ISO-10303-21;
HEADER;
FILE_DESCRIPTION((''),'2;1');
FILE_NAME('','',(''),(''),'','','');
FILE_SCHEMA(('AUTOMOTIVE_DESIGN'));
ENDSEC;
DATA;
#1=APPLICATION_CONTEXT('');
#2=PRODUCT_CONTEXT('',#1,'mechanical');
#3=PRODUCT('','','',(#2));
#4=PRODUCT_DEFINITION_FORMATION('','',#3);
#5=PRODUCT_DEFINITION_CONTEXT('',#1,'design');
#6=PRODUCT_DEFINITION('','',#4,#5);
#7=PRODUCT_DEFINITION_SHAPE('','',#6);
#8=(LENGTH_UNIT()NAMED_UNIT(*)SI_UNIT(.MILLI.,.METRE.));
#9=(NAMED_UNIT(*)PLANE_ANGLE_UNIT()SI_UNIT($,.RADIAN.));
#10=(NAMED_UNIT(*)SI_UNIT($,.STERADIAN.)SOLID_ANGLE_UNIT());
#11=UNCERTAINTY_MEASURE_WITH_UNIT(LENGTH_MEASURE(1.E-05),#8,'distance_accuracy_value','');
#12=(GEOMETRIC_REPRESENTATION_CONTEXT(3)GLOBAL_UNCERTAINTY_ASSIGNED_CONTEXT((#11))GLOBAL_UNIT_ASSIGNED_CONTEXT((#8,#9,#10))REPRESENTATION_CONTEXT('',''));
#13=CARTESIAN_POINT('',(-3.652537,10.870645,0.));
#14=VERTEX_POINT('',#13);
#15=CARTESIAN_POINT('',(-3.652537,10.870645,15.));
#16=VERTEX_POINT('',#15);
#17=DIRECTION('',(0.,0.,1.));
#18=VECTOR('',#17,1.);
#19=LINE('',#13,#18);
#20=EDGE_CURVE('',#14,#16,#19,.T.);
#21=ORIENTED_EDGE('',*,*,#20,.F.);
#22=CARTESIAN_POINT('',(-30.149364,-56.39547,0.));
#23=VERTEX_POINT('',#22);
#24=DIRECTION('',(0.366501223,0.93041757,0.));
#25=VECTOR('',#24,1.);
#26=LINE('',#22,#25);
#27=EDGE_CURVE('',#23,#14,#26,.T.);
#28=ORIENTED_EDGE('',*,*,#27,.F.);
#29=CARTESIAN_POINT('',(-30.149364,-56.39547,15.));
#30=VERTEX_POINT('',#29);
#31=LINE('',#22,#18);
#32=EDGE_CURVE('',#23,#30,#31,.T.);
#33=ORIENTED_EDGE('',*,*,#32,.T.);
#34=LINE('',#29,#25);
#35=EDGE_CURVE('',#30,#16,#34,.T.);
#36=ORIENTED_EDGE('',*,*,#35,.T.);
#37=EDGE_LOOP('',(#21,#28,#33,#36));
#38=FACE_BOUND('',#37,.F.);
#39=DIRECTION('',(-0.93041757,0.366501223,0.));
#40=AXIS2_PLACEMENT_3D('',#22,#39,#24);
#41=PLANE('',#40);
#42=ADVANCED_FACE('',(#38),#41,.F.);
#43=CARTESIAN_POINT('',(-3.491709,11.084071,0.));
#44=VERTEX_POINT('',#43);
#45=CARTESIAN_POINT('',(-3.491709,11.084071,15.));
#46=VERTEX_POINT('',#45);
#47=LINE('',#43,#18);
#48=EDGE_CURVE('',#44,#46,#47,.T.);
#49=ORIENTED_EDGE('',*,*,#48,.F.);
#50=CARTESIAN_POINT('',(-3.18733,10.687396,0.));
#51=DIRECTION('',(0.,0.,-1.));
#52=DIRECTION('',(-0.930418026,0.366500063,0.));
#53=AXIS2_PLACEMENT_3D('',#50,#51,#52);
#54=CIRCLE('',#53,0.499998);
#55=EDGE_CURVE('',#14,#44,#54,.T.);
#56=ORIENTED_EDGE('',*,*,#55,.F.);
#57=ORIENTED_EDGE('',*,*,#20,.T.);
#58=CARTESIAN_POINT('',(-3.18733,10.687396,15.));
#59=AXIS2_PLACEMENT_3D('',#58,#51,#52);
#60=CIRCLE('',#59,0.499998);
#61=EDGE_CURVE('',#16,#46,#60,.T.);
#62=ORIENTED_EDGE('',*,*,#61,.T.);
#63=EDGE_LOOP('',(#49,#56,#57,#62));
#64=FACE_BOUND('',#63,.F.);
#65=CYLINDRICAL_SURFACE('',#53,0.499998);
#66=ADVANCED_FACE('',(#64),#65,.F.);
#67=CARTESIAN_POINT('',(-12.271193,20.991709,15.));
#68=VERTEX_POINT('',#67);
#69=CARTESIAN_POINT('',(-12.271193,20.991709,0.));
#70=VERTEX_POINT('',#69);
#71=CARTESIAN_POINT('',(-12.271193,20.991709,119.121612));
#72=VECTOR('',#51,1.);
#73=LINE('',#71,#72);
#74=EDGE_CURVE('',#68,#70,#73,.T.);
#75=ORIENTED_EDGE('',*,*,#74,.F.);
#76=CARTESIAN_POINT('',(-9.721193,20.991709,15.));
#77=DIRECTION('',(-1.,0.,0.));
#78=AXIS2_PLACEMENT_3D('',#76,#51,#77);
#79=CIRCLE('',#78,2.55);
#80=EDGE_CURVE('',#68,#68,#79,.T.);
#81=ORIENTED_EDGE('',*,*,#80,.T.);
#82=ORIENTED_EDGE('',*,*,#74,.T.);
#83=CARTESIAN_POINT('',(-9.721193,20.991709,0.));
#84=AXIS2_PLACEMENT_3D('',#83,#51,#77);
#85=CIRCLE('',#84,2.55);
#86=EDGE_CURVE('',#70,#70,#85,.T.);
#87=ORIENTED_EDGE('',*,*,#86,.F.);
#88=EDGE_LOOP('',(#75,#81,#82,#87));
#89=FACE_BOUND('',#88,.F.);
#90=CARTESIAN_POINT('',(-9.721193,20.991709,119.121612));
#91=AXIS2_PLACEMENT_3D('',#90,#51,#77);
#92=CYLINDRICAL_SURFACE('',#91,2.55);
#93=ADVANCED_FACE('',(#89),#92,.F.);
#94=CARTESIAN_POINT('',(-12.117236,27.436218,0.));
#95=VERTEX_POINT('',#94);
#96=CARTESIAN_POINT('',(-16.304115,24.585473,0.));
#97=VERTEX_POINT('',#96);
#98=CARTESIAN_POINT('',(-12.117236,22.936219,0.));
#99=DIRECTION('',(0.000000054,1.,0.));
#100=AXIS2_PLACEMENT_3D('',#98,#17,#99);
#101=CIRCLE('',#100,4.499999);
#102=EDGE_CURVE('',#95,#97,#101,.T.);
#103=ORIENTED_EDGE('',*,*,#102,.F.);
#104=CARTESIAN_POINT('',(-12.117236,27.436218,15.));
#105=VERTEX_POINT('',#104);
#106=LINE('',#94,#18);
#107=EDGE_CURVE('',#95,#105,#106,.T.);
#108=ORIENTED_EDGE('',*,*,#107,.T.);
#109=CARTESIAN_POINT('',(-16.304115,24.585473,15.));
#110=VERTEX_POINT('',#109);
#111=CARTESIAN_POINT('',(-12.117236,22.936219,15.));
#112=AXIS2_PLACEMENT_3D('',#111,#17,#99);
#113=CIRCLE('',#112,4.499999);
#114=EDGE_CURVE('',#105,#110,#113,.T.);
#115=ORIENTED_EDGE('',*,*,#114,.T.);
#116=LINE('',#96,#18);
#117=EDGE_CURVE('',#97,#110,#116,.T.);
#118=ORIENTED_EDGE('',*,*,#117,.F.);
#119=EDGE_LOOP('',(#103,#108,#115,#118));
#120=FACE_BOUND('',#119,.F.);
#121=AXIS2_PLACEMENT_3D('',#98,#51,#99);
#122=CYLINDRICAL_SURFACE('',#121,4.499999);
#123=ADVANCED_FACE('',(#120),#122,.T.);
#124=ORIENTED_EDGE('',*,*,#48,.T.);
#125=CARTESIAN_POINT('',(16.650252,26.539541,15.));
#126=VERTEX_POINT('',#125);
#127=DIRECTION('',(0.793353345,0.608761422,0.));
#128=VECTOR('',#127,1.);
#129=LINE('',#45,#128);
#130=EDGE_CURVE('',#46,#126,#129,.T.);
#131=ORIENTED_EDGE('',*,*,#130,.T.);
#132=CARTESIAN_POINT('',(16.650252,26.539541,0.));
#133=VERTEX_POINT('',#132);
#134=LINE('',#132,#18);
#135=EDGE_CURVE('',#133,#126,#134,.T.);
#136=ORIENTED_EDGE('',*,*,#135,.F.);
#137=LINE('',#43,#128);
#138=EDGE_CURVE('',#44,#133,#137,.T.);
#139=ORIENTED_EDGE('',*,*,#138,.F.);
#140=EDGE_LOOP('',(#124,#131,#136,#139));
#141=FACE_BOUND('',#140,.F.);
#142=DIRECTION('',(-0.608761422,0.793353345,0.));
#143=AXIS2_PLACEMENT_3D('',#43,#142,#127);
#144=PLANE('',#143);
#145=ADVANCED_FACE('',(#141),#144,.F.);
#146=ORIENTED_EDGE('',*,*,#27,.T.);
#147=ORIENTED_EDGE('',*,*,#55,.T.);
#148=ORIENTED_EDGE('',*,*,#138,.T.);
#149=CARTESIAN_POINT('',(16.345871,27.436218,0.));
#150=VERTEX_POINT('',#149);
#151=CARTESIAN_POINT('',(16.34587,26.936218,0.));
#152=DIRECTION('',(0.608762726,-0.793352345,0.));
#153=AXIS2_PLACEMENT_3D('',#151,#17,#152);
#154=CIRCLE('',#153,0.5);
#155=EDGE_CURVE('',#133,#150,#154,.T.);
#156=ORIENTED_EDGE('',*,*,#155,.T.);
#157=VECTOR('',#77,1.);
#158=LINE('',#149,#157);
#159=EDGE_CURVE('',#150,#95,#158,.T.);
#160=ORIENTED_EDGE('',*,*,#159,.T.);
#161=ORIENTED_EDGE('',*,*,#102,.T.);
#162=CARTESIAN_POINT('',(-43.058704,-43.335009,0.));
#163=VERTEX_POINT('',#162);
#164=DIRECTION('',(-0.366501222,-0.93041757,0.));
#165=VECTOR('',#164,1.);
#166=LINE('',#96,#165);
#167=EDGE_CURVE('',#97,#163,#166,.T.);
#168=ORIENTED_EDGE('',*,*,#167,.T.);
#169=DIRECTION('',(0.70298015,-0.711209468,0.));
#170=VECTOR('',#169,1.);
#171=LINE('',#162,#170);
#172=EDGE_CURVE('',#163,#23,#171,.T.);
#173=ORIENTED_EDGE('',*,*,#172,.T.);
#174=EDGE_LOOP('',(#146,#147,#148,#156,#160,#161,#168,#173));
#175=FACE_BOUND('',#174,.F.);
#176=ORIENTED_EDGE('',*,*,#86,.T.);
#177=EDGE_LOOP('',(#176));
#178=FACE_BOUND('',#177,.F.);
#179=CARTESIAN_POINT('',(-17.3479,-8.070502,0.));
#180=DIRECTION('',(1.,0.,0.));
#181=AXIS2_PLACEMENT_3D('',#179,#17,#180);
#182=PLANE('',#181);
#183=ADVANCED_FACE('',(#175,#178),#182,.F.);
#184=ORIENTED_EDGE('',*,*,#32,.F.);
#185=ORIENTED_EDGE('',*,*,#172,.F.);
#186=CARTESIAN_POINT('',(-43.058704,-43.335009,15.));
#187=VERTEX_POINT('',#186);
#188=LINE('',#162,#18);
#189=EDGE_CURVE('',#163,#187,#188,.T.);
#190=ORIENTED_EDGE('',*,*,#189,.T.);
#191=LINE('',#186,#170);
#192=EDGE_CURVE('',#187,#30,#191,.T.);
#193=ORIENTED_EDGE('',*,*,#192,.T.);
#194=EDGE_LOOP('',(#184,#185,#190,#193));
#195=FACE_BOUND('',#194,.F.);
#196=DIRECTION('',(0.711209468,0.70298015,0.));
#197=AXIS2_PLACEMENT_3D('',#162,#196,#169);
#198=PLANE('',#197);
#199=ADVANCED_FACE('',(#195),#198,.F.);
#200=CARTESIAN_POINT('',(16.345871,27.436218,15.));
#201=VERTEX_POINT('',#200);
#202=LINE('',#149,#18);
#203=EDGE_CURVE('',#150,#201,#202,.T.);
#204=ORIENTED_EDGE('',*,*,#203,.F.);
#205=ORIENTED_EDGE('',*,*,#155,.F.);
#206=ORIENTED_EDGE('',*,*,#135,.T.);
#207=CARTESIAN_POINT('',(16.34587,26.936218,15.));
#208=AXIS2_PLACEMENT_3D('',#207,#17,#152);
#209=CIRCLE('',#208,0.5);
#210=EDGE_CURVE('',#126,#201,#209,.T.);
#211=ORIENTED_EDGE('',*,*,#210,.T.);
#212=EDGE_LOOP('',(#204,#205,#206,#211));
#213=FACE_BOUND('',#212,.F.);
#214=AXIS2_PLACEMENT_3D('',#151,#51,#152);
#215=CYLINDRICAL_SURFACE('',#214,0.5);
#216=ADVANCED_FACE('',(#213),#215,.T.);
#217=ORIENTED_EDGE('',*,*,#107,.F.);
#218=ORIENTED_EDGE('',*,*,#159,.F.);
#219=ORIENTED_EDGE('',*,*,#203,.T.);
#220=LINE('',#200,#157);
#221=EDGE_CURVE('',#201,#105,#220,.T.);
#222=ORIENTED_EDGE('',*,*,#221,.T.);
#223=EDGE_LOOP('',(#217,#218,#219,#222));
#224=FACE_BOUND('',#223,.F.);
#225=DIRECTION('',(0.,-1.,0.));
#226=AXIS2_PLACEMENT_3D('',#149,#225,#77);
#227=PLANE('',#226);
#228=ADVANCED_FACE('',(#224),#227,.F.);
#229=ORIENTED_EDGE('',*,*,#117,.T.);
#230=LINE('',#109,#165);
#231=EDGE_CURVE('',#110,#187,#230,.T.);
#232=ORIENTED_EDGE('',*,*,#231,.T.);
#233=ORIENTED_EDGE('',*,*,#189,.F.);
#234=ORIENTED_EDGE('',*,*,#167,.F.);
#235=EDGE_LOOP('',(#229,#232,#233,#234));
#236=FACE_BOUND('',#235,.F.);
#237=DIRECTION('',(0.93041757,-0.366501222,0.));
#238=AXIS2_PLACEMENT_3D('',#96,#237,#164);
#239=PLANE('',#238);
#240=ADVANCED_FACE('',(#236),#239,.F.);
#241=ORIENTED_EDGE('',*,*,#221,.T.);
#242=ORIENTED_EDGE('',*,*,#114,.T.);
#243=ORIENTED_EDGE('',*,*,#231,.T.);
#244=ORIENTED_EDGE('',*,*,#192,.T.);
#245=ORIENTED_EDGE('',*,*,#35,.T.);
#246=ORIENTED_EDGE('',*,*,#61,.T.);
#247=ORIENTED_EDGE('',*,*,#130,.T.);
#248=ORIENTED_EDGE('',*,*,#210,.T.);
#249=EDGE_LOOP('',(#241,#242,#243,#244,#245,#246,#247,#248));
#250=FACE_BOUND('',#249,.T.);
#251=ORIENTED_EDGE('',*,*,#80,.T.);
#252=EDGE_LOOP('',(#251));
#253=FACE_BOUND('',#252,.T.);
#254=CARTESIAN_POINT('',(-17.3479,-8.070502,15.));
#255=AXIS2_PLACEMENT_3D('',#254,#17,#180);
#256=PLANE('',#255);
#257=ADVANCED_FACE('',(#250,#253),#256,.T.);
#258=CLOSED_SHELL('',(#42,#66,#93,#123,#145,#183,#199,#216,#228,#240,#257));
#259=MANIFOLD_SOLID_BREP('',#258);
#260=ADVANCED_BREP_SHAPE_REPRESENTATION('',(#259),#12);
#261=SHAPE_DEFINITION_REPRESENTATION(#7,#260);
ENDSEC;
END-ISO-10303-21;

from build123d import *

# Parameters (mm, degrees)
F1_DEPTH = 15
F3_D     = 5.1


with BuildPart() as f1:
    # F0 (on Top) → F1 (new body)
    with BuildSketch(Plane.XY):
        with BuildLine():
            Line((16.345871, 27.436218), (-12.117236, 27.436218))
            ThreePointArc((-12.117236, 27.436218), (-14.649858, 26.655872), (-16.304115, 24.585473))
            Line((-16.304115, 24.585473), (-43.058704, -43.335009))
            Line((-43.058704, -43.335009), (-30.149364, -56.39547))
            Line((-30.149364, -56.39547), (-3.652537, 10.870645))
            ThreePointArc((-3.652537, 10.870645), (-3.586646, 10.988302), (-3.491709, 11.084071))
            Line((-3.491709, 11.084071), (16.650252, 26.539541))
            ThreePointArc((16.650252, 26.539541), (16.819336, 27.096937), (16.345871, 27.436218))
        make_face()
    extrude(amount=F1_DEPTH)

    # F3 (through all)
    with Locations(Plane.XY.offset(15)):
        with Locations((-9.721193, 20.991709)):
            Hole(F3_D / 2)


solid = f1.part
